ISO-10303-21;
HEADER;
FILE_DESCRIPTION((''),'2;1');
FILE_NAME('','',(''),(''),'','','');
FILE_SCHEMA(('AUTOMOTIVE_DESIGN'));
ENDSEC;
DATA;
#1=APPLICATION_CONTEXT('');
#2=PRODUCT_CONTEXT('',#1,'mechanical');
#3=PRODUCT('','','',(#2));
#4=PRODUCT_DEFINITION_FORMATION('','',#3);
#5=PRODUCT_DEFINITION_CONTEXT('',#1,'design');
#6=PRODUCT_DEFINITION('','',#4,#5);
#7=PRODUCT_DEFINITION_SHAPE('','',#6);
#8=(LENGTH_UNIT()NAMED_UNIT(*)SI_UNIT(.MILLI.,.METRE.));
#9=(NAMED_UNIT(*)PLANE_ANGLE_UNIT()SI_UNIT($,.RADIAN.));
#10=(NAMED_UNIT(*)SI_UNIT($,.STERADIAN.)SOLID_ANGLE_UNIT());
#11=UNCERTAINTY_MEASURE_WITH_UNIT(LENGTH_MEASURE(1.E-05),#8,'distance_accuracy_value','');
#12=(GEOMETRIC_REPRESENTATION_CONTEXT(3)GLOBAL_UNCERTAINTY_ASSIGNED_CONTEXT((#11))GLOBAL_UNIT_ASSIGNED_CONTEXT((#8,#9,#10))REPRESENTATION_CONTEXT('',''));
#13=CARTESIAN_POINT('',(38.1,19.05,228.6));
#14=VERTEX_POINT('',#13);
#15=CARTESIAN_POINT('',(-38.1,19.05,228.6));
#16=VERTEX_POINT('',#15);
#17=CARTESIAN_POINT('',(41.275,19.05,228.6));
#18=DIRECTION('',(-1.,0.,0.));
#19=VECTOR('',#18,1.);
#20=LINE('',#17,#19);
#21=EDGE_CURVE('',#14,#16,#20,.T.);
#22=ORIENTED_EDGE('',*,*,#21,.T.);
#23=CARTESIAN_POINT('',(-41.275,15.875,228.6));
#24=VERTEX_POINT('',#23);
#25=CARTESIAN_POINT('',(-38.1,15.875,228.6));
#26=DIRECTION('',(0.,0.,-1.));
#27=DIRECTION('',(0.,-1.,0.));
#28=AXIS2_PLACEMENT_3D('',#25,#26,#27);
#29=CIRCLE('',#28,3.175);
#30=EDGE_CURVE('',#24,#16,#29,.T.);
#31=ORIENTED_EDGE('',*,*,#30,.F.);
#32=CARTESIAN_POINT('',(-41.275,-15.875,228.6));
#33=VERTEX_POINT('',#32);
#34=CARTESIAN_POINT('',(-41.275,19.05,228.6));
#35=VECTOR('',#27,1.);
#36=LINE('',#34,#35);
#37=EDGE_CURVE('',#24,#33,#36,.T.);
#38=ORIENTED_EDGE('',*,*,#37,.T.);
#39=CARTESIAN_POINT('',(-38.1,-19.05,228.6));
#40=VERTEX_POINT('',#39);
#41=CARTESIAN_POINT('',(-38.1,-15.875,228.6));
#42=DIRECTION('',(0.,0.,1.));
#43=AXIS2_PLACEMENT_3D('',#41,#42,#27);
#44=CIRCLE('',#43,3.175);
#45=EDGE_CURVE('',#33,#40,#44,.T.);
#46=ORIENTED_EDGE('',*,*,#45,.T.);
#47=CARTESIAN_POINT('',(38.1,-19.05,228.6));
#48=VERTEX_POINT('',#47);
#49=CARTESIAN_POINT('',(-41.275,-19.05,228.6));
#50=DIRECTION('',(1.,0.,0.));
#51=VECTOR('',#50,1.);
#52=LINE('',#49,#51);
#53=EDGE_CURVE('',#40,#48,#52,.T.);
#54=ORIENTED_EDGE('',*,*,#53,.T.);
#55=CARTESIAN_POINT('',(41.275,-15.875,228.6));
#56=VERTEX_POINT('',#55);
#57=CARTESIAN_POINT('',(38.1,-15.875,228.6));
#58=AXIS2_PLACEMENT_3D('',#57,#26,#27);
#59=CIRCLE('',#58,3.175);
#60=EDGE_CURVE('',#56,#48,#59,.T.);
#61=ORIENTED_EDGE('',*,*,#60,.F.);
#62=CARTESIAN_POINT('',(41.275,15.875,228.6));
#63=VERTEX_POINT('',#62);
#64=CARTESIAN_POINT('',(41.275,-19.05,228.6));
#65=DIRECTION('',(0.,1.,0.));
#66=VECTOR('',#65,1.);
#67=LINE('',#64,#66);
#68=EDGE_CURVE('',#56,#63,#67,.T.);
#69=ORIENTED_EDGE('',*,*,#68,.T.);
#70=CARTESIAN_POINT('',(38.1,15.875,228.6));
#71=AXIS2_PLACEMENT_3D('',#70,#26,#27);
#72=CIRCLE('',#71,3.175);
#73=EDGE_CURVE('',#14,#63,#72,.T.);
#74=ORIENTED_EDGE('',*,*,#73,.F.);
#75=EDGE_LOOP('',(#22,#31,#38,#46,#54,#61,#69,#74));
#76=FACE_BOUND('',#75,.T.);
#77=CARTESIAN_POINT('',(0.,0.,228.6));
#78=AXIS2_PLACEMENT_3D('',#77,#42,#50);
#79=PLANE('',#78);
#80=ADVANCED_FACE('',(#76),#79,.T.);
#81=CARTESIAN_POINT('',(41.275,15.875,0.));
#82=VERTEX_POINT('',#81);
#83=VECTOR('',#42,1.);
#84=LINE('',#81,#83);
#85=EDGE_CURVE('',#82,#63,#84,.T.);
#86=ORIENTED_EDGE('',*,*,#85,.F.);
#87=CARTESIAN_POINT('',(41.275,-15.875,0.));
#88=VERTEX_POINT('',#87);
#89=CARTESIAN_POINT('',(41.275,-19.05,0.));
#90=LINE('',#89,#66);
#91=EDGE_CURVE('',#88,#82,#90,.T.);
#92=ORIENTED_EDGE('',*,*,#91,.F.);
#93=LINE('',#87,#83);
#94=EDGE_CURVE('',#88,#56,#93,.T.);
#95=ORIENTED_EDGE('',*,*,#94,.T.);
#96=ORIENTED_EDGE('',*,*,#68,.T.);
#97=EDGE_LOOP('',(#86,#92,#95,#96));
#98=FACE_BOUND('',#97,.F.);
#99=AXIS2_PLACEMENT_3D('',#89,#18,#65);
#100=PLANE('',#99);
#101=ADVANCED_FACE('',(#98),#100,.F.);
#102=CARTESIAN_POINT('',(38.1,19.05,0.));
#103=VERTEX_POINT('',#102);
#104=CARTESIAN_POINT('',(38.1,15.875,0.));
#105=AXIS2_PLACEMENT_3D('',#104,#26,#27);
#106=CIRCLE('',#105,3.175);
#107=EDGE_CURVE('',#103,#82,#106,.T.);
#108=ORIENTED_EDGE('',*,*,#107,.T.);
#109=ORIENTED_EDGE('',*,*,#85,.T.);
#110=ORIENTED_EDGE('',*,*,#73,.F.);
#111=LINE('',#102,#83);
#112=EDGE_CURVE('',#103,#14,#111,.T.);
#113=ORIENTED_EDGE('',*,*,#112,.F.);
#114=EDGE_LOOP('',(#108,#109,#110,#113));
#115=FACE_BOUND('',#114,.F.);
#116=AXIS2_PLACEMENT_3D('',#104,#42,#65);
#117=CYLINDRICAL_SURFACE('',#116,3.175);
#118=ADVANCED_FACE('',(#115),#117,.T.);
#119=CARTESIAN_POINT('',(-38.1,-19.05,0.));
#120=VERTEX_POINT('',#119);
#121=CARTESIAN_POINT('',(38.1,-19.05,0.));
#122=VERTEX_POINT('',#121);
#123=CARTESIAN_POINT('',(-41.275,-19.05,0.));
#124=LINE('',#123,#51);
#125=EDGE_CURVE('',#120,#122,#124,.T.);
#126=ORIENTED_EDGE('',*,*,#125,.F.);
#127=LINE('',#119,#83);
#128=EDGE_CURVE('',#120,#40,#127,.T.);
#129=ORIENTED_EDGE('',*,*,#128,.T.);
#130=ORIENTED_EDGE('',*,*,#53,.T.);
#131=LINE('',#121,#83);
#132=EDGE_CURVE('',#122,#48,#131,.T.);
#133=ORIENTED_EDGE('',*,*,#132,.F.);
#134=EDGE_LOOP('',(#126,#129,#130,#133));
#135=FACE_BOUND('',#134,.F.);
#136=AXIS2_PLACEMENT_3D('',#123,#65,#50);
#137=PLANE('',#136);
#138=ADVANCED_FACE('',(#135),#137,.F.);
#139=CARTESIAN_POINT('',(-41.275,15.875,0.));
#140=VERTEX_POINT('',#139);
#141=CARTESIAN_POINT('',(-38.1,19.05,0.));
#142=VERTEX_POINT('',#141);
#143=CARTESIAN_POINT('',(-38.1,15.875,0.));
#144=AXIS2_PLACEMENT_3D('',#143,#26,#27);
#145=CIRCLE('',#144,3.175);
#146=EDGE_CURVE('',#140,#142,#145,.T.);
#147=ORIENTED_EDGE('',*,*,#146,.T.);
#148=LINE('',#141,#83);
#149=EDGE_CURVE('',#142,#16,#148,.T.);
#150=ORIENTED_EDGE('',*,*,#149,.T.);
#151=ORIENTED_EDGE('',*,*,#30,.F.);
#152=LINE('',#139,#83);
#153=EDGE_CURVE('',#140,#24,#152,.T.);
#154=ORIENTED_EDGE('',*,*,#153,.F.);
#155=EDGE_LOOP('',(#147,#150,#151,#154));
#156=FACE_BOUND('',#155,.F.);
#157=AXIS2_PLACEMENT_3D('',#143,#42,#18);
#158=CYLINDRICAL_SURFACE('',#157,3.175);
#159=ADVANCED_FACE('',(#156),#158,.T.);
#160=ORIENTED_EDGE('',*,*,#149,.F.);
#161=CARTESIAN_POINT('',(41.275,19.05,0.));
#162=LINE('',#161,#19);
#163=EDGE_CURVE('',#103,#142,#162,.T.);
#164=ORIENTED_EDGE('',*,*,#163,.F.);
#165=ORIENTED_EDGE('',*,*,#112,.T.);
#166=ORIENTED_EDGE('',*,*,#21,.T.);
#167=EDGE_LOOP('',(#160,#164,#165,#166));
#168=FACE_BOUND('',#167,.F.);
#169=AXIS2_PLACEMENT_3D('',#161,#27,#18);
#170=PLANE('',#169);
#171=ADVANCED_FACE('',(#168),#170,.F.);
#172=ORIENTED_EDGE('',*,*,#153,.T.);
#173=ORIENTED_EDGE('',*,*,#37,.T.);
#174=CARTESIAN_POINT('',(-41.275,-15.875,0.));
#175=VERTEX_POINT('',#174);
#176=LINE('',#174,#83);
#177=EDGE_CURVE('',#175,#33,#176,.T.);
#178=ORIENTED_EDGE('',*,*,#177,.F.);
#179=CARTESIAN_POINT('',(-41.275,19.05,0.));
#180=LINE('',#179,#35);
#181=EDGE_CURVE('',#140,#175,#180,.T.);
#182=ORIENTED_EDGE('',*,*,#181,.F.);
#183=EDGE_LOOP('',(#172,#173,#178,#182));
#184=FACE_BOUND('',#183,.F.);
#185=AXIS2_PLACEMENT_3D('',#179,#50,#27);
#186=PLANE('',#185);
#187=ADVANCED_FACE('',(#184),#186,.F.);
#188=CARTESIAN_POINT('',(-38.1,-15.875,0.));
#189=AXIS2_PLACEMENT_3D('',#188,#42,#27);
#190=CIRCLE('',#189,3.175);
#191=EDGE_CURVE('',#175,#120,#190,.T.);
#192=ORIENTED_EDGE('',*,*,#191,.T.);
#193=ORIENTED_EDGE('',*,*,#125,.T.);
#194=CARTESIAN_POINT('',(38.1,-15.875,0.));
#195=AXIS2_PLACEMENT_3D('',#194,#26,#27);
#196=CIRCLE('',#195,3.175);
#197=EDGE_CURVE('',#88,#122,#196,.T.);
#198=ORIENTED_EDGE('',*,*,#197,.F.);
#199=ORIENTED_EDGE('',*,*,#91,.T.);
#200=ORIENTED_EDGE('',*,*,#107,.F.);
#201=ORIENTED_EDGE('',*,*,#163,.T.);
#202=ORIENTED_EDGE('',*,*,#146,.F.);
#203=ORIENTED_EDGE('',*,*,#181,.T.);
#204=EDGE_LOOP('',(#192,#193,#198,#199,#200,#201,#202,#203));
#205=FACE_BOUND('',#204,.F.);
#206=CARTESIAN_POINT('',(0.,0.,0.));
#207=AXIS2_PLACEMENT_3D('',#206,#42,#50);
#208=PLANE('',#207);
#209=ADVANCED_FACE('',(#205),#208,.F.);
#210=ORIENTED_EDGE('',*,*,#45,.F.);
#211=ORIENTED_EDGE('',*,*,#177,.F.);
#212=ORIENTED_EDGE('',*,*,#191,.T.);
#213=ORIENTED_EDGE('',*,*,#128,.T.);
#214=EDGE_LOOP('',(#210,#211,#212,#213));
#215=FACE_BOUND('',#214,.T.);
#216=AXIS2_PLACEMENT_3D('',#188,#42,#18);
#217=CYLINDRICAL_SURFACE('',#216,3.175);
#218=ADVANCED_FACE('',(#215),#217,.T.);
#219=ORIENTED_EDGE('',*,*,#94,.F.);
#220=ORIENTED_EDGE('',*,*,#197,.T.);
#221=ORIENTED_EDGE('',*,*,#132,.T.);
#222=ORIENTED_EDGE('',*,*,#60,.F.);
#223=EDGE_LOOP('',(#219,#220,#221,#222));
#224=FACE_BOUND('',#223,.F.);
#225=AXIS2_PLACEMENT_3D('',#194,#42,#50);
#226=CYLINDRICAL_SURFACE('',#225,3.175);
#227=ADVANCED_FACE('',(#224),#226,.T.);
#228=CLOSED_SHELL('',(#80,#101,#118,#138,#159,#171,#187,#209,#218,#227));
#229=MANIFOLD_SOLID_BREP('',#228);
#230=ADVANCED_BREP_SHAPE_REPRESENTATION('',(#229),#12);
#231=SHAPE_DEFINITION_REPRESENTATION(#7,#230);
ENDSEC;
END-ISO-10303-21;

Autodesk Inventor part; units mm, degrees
ref_plane "YZ Plane" through (0, 0, 0) normal (1, 0, 0) x (0, 1, 0)
ref_plane "XZ Plane" through (0, 0, 0) normal (0, 1, 0) x (-1, 0, 0)
ref_plane "XY Plane" through (0, 0, 0) normal (0, 0, 1) x (1, 0, 0)
sketch "Sketch1" plane through (0, 0, 0) normal (0, 0, 1) x (1, 0, 0)
  line L0 (-41.275, -19.05) -> (41.275, -19.05)
  line L1 (41.275, -19.05) -> (41.275, 19.05)
  line L2 (41.275, 19.05) -> (-41.275, 19.05)
  line L3 (-41.275, 19.05) -> (-41.275, -19.05)
  line L4 (-41.275, -19.05) -> (41.275, 19.05) construction
  line L5 (41.275, -19.05) -> (-41.275, 19.05) construction
  point P0 (0, 0)
  dimension "d0" = 82.55
  dimension "d1" = 38.1
extrude "Extrusion1" add sketch "Sketch1" along normal blind 228.6
fillet "Fillet1" radius 3.175 4 edges at (41.275, 19.05, 114.3) (-41.275, 19.05, 114.3) (41.275, -19.05, 114.3) (-41.275, -19.05, 114.3)
properties part number "Left Mounting Board 2x4"
